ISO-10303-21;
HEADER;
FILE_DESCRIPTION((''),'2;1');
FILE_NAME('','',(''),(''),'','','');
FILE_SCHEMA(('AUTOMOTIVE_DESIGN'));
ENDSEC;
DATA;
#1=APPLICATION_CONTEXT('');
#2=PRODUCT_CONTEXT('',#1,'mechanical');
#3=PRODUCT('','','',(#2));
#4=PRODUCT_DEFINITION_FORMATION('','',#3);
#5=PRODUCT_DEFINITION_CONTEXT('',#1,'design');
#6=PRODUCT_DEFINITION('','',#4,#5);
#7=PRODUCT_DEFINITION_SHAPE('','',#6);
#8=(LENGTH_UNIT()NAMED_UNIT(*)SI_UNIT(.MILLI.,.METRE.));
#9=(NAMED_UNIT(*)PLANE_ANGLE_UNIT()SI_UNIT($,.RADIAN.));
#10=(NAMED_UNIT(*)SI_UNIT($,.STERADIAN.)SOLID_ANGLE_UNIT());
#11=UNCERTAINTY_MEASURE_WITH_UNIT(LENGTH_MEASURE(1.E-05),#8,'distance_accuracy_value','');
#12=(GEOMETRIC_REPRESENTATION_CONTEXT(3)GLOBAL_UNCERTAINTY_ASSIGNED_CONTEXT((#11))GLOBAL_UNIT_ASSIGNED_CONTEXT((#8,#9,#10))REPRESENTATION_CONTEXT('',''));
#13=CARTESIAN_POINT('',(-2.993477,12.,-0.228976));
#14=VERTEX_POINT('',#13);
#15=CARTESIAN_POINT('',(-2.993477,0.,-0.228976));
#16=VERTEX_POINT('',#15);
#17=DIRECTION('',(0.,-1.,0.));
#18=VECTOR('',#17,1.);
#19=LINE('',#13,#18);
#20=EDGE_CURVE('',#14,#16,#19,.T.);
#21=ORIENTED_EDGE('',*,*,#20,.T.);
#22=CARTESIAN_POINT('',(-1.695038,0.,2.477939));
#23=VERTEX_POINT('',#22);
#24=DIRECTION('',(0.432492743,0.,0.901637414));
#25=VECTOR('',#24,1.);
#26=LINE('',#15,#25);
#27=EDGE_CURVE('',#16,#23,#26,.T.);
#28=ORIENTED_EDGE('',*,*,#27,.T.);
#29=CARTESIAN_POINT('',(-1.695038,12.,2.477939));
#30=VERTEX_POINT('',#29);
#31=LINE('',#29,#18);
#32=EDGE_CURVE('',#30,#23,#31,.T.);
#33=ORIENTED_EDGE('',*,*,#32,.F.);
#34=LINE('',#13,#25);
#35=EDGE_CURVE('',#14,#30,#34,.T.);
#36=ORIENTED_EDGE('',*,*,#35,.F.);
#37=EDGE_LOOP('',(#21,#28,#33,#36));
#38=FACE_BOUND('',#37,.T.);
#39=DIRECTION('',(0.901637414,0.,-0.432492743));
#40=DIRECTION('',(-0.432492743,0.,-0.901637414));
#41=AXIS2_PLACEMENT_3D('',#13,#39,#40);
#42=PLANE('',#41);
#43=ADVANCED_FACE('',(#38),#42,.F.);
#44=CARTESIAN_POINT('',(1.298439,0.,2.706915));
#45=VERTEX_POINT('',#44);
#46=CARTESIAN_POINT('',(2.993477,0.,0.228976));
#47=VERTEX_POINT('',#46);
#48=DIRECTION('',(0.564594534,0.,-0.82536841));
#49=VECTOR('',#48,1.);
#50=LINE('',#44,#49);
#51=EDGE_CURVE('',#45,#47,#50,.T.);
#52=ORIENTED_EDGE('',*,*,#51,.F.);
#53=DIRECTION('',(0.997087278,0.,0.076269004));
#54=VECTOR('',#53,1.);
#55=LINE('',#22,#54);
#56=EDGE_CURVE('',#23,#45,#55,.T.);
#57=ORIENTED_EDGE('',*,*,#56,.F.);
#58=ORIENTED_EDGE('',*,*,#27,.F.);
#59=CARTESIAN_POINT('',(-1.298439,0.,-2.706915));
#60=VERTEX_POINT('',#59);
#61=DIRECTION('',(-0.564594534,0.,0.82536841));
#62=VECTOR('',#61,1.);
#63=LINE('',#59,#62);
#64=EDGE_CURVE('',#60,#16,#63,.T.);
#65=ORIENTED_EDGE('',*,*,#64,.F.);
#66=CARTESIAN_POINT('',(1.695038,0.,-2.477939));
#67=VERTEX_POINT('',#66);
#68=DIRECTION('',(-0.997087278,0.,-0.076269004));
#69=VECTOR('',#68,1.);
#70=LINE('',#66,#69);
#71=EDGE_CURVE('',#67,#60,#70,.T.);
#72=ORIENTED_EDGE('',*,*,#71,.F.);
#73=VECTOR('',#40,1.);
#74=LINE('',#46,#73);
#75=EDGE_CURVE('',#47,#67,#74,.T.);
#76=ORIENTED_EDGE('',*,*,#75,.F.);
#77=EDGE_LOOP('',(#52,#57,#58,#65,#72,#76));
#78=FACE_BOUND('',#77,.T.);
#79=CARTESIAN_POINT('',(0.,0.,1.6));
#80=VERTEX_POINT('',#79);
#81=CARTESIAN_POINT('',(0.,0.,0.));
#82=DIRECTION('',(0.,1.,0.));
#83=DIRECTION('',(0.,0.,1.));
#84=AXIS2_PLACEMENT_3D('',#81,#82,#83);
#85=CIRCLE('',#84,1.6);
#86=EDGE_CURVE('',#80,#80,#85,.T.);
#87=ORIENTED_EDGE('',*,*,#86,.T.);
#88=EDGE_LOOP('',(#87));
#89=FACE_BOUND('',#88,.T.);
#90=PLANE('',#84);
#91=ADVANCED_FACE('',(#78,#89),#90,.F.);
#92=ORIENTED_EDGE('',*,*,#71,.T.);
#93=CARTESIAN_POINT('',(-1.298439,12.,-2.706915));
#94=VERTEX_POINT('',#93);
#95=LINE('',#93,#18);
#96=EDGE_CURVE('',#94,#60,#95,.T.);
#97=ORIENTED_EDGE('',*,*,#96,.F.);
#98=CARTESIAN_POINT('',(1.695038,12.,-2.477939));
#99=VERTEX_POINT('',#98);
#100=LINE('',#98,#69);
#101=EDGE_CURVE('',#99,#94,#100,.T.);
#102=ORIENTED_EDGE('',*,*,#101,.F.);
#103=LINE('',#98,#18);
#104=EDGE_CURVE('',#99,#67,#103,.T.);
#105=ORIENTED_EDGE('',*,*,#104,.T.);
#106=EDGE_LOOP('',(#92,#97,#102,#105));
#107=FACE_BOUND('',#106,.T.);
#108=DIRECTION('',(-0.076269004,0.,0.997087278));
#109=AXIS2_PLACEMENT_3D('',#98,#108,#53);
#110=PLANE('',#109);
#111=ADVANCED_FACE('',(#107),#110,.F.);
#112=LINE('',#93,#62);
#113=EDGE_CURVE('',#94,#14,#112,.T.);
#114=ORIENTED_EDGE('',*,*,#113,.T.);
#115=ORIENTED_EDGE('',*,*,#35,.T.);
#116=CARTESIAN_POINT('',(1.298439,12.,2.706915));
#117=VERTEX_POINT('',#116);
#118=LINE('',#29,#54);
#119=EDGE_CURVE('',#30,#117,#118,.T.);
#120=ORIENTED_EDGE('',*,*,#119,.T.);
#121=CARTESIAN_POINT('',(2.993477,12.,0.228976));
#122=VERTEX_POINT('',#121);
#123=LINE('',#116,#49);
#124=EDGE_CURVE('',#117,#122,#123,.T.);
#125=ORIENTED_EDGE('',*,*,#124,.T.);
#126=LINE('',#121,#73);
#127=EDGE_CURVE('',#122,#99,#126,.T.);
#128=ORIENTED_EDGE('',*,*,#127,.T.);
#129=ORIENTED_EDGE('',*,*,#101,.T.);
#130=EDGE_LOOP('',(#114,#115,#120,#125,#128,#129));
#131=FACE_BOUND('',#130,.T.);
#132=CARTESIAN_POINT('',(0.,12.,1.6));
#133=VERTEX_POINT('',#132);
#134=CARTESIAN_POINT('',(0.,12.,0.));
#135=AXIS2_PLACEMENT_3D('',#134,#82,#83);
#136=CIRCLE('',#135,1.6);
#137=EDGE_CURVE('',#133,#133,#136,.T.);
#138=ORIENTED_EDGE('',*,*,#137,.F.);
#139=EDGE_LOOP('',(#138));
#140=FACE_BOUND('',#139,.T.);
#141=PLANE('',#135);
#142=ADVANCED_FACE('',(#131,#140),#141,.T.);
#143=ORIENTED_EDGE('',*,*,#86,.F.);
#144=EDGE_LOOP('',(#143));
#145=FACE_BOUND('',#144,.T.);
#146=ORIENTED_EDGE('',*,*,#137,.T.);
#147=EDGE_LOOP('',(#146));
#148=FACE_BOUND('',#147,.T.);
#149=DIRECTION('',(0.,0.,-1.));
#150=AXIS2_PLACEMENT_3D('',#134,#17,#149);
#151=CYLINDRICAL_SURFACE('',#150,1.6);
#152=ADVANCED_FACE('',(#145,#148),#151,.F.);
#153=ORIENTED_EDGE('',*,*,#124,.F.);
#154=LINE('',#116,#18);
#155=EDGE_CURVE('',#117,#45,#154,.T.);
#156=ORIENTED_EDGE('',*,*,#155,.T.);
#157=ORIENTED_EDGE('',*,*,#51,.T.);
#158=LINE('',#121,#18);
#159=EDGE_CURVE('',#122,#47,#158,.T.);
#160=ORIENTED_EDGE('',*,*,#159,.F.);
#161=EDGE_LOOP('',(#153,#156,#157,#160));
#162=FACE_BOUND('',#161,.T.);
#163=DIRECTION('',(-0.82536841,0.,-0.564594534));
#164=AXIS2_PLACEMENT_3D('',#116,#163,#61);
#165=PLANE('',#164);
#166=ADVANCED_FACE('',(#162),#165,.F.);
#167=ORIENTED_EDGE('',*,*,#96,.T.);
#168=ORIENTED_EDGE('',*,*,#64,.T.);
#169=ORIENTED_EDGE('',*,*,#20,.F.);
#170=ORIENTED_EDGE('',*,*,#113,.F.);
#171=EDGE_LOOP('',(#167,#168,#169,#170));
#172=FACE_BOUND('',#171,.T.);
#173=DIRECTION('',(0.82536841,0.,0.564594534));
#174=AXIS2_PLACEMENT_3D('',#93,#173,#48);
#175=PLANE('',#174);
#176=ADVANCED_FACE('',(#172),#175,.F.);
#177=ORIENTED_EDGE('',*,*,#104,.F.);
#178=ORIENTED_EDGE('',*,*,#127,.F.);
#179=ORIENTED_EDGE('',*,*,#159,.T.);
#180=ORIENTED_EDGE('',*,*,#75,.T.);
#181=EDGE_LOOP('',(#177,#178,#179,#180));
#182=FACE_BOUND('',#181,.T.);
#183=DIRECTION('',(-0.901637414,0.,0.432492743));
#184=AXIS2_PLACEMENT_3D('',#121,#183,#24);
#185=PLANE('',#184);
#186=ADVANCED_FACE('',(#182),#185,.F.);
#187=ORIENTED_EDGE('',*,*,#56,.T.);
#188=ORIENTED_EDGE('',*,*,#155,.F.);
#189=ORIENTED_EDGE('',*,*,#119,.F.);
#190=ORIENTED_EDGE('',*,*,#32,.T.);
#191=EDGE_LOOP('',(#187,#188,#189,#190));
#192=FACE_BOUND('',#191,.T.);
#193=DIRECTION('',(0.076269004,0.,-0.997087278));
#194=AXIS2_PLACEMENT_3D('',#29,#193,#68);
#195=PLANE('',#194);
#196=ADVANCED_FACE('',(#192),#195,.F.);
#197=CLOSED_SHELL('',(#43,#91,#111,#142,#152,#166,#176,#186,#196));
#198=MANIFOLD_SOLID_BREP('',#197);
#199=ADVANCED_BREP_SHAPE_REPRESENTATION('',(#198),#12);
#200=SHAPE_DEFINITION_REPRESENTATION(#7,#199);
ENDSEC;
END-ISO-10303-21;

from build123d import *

# Parameters (mm, degrees)
SKETCH_1_R      = 1.6
EXTRUDE_1_DEPTH = 12


with BuildPart() as part:
    # 草图1 → 凸台-拉伸1 (new body)
    with BuildSketch(Plane(origin=(0, 0, 0), x_dir=(1, 0, 0), z_dir=(0, 1, 0))):
        Polygon((1.29843897, -2.70691514), (2.993476762, -0.228976437), (1.695037792, 2.477938703), (-1.29843897, 2.70691514), (-2.993476762, 0.228976437), (-1.695037792, -2.477938703), align=None)
        with Locations(Location((0, 0, 0), (0, 0, 270))):
            Circle(SKETCH_1_R, mode=Mode.SUBTRACT)
    extrude(amount=EXTRUDE_1_DEPTH)


solid = part.part
